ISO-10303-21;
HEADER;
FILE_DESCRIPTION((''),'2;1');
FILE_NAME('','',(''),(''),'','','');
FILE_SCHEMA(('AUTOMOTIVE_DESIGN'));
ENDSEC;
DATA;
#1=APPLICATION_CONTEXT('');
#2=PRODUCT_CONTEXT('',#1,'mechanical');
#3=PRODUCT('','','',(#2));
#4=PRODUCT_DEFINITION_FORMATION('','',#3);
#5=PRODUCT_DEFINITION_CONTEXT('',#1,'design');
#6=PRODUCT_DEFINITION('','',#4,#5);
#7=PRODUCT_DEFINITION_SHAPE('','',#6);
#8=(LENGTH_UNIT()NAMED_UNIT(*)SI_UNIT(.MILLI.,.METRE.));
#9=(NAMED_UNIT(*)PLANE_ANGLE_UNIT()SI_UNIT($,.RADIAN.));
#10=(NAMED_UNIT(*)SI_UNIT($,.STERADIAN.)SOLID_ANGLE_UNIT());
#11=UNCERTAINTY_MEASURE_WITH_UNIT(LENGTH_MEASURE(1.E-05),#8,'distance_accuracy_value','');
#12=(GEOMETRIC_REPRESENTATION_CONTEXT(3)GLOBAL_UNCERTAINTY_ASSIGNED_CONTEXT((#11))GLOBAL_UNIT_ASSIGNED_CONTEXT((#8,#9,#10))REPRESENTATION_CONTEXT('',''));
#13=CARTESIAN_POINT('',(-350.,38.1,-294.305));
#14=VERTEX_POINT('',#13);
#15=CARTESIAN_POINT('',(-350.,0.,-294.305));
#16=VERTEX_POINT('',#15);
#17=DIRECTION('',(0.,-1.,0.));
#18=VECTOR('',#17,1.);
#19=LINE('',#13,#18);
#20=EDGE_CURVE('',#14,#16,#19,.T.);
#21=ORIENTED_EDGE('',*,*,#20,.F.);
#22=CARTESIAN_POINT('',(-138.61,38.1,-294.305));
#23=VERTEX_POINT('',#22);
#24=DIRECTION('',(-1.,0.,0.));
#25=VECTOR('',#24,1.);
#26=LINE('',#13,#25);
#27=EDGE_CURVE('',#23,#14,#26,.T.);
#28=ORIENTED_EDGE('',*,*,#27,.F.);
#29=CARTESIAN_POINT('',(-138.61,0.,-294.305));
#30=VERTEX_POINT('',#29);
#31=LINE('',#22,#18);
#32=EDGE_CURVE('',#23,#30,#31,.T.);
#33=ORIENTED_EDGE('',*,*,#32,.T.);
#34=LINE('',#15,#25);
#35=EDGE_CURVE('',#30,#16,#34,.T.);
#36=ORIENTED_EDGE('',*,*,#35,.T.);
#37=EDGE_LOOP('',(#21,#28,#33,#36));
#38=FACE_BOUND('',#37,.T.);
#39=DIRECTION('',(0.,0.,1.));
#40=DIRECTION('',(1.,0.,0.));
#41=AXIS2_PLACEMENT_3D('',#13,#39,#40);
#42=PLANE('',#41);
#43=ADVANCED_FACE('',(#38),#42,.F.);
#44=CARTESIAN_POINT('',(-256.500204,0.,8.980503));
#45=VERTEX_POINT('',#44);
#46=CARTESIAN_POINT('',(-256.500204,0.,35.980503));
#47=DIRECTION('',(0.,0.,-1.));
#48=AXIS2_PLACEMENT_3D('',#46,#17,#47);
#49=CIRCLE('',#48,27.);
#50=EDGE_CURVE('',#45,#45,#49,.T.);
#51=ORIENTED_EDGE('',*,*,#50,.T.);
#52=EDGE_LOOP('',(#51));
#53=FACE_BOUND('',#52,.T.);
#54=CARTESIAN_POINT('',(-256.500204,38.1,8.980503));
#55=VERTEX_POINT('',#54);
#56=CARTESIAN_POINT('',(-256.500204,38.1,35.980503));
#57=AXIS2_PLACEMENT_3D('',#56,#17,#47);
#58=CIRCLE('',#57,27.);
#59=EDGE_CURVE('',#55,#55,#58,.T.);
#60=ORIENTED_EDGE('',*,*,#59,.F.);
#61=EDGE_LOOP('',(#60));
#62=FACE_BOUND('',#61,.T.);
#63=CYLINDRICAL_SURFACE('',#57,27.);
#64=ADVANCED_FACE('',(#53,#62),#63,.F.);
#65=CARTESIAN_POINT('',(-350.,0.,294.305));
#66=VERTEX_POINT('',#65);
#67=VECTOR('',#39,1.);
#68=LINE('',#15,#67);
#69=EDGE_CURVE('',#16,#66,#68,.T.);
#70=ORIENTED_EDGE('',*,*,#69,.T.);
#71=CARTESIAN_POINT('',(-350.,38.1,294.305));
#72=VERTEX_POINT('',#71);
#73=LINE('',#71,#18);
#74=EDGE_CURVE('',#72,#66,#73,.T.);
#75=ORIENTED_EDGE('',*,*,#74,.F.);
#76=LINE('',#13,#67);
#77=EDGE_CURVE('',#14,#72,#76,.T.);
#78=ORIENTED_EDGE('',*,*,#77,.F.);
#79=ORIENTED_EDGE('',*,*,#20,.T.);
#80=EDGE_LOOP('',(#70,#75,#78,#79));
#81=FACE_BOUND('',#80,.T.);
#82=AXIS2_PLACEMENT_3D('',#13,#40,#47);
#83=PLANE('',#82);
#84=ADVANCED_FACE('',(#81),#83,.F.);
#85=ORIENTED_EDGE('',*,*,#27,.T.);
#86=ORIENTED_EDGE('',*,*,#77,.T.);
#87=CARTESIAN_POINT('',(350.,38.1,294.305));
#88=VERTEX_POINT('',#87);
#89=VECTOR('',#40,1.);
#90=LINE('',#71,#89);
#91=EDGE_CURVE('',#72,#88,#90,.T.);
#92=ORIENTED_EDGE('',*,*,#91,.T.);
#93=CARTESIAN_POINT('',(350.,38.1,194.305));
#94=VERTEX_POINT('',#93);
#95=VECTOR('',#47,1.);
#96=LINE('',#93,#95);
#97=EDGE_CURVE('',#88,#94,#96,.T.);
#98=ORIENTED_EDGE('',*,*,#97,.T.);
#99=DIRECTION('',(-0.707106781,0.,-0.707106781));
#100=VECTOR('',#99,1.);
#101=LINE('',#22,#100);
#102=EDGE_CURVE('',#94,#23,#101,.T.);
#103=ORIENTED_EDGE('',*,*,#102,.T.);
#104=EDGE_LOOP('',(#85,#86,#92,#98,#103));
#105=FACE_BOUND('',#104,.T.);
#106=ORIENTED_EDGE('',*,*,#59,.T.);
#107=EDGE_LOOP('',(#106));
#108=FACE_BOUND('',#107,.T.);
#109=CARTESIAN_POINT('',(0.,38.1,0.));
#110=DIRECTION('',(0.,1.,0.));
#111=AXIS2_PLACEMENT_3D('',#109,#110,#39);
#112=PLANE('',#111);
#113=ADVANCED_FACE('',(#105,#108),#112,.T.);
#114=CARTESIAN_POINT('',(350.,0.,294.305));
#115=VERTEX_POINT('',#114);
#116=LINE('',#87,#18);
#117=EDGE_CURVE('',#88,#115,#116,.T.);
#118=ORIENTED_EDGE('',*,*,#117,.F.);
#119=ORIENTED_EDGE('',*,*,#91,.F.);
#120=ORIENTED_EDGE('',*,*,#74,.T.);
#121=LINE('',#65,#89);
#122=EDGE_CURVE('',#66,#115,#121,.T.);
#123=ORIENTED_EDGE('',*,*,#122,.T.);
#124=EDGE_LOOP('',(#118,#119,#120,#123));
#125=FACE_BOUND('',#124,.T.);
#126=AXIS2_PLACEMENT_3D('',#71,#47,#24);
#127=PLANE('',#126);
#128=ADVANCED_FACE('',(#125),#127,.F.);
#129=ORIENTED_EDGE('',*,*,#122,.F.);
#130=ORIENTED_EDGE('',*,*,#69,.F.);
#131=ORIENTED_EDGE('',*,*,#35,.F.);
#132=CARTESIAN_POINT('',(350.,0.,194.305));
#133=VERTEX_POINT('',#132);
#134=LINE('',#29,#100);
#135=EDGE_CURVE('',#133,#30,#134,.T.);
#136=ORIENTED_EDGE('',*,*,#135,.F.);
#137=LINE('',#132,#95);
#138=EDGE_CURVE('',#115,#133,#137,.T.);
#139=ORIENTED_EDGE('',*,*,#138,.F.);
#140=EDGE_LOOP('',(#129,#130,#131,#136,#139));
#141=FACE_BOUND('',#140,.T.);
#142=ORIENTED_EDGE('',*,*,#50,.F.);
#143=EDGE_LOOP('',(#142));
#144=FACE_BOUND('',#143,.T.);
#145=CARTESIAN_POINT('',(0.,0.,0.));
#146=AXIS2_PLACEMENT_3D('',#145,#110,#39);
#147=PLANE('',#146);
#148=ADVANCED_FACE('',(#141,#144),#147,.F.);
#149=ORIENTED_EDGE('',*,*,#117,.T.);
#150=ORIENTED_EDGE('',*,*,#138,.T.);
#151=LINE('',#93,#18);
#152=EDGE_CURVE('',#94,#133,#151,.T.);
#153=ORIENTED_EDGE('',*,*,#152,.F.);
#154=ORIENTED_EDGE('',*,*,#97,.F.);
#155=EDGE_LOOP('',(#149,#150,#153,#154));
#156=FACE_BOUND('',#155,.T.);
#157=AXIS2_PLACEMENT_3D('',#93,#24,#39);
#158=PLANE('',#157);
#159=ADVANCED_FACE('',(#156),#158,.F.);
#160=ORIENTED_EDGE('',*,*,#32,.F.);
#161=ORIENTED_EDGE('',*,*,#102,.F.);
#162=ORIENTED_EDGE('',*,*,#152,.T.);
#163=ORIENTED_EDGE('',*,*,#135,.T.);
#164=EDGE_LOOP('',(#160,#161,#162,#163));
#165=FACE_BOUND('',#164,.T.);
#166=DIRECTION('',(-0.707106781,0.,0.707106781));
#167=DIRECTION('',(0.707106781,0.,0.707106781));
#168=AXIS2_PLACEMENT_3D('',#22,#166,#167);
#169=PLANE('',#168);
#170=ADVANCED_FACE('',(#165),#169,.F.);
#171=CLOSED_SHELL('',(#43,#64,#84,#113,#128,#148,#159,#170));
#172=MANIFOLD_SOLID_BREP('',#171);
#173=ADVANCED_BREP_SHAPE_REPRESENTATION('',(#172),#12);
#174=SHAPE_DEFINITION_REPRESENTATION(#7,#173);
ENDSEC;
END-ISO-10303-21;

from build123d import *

# Parameters (mm, degrees)
BOSS_EXTRUDE1_DEPTH = 38.1
SKETCH2_R           = 27
CUT_EXTRUDE1_DEPTH  = 39.1


with BuildPart() as part:
    # Sketch1 → Boss-Extrude1 (new body)
    with BuildSketch(Plane(origin=(0, 0, 0), x_dir=(1, 0, 0), z_dir=(0, 1, 0))):
        Polygon((-138.61, 294.305), (350, -194.305), (350, -294.305), (-350, -294.305), (-350, 294.305), align=None)
    extrude(amount=BOSS_EXTRUDE1_DEPTH)

    # Sketch2 → Cut-Extrude1 (cut, through all)
    with BuildSketch(Plane(origin=(0, 0, 0), x_dir=(-1, 0, 0), z_dir=(0, -1, 0))):
        with Locations((256.500204402, -35.980503112)):
            Circle(SKETCH2_R)
    extrude(amount=-CUT_EXTRUDE1_DEPTH, mode=Mode.SUBTRACT)


solid = part.part
